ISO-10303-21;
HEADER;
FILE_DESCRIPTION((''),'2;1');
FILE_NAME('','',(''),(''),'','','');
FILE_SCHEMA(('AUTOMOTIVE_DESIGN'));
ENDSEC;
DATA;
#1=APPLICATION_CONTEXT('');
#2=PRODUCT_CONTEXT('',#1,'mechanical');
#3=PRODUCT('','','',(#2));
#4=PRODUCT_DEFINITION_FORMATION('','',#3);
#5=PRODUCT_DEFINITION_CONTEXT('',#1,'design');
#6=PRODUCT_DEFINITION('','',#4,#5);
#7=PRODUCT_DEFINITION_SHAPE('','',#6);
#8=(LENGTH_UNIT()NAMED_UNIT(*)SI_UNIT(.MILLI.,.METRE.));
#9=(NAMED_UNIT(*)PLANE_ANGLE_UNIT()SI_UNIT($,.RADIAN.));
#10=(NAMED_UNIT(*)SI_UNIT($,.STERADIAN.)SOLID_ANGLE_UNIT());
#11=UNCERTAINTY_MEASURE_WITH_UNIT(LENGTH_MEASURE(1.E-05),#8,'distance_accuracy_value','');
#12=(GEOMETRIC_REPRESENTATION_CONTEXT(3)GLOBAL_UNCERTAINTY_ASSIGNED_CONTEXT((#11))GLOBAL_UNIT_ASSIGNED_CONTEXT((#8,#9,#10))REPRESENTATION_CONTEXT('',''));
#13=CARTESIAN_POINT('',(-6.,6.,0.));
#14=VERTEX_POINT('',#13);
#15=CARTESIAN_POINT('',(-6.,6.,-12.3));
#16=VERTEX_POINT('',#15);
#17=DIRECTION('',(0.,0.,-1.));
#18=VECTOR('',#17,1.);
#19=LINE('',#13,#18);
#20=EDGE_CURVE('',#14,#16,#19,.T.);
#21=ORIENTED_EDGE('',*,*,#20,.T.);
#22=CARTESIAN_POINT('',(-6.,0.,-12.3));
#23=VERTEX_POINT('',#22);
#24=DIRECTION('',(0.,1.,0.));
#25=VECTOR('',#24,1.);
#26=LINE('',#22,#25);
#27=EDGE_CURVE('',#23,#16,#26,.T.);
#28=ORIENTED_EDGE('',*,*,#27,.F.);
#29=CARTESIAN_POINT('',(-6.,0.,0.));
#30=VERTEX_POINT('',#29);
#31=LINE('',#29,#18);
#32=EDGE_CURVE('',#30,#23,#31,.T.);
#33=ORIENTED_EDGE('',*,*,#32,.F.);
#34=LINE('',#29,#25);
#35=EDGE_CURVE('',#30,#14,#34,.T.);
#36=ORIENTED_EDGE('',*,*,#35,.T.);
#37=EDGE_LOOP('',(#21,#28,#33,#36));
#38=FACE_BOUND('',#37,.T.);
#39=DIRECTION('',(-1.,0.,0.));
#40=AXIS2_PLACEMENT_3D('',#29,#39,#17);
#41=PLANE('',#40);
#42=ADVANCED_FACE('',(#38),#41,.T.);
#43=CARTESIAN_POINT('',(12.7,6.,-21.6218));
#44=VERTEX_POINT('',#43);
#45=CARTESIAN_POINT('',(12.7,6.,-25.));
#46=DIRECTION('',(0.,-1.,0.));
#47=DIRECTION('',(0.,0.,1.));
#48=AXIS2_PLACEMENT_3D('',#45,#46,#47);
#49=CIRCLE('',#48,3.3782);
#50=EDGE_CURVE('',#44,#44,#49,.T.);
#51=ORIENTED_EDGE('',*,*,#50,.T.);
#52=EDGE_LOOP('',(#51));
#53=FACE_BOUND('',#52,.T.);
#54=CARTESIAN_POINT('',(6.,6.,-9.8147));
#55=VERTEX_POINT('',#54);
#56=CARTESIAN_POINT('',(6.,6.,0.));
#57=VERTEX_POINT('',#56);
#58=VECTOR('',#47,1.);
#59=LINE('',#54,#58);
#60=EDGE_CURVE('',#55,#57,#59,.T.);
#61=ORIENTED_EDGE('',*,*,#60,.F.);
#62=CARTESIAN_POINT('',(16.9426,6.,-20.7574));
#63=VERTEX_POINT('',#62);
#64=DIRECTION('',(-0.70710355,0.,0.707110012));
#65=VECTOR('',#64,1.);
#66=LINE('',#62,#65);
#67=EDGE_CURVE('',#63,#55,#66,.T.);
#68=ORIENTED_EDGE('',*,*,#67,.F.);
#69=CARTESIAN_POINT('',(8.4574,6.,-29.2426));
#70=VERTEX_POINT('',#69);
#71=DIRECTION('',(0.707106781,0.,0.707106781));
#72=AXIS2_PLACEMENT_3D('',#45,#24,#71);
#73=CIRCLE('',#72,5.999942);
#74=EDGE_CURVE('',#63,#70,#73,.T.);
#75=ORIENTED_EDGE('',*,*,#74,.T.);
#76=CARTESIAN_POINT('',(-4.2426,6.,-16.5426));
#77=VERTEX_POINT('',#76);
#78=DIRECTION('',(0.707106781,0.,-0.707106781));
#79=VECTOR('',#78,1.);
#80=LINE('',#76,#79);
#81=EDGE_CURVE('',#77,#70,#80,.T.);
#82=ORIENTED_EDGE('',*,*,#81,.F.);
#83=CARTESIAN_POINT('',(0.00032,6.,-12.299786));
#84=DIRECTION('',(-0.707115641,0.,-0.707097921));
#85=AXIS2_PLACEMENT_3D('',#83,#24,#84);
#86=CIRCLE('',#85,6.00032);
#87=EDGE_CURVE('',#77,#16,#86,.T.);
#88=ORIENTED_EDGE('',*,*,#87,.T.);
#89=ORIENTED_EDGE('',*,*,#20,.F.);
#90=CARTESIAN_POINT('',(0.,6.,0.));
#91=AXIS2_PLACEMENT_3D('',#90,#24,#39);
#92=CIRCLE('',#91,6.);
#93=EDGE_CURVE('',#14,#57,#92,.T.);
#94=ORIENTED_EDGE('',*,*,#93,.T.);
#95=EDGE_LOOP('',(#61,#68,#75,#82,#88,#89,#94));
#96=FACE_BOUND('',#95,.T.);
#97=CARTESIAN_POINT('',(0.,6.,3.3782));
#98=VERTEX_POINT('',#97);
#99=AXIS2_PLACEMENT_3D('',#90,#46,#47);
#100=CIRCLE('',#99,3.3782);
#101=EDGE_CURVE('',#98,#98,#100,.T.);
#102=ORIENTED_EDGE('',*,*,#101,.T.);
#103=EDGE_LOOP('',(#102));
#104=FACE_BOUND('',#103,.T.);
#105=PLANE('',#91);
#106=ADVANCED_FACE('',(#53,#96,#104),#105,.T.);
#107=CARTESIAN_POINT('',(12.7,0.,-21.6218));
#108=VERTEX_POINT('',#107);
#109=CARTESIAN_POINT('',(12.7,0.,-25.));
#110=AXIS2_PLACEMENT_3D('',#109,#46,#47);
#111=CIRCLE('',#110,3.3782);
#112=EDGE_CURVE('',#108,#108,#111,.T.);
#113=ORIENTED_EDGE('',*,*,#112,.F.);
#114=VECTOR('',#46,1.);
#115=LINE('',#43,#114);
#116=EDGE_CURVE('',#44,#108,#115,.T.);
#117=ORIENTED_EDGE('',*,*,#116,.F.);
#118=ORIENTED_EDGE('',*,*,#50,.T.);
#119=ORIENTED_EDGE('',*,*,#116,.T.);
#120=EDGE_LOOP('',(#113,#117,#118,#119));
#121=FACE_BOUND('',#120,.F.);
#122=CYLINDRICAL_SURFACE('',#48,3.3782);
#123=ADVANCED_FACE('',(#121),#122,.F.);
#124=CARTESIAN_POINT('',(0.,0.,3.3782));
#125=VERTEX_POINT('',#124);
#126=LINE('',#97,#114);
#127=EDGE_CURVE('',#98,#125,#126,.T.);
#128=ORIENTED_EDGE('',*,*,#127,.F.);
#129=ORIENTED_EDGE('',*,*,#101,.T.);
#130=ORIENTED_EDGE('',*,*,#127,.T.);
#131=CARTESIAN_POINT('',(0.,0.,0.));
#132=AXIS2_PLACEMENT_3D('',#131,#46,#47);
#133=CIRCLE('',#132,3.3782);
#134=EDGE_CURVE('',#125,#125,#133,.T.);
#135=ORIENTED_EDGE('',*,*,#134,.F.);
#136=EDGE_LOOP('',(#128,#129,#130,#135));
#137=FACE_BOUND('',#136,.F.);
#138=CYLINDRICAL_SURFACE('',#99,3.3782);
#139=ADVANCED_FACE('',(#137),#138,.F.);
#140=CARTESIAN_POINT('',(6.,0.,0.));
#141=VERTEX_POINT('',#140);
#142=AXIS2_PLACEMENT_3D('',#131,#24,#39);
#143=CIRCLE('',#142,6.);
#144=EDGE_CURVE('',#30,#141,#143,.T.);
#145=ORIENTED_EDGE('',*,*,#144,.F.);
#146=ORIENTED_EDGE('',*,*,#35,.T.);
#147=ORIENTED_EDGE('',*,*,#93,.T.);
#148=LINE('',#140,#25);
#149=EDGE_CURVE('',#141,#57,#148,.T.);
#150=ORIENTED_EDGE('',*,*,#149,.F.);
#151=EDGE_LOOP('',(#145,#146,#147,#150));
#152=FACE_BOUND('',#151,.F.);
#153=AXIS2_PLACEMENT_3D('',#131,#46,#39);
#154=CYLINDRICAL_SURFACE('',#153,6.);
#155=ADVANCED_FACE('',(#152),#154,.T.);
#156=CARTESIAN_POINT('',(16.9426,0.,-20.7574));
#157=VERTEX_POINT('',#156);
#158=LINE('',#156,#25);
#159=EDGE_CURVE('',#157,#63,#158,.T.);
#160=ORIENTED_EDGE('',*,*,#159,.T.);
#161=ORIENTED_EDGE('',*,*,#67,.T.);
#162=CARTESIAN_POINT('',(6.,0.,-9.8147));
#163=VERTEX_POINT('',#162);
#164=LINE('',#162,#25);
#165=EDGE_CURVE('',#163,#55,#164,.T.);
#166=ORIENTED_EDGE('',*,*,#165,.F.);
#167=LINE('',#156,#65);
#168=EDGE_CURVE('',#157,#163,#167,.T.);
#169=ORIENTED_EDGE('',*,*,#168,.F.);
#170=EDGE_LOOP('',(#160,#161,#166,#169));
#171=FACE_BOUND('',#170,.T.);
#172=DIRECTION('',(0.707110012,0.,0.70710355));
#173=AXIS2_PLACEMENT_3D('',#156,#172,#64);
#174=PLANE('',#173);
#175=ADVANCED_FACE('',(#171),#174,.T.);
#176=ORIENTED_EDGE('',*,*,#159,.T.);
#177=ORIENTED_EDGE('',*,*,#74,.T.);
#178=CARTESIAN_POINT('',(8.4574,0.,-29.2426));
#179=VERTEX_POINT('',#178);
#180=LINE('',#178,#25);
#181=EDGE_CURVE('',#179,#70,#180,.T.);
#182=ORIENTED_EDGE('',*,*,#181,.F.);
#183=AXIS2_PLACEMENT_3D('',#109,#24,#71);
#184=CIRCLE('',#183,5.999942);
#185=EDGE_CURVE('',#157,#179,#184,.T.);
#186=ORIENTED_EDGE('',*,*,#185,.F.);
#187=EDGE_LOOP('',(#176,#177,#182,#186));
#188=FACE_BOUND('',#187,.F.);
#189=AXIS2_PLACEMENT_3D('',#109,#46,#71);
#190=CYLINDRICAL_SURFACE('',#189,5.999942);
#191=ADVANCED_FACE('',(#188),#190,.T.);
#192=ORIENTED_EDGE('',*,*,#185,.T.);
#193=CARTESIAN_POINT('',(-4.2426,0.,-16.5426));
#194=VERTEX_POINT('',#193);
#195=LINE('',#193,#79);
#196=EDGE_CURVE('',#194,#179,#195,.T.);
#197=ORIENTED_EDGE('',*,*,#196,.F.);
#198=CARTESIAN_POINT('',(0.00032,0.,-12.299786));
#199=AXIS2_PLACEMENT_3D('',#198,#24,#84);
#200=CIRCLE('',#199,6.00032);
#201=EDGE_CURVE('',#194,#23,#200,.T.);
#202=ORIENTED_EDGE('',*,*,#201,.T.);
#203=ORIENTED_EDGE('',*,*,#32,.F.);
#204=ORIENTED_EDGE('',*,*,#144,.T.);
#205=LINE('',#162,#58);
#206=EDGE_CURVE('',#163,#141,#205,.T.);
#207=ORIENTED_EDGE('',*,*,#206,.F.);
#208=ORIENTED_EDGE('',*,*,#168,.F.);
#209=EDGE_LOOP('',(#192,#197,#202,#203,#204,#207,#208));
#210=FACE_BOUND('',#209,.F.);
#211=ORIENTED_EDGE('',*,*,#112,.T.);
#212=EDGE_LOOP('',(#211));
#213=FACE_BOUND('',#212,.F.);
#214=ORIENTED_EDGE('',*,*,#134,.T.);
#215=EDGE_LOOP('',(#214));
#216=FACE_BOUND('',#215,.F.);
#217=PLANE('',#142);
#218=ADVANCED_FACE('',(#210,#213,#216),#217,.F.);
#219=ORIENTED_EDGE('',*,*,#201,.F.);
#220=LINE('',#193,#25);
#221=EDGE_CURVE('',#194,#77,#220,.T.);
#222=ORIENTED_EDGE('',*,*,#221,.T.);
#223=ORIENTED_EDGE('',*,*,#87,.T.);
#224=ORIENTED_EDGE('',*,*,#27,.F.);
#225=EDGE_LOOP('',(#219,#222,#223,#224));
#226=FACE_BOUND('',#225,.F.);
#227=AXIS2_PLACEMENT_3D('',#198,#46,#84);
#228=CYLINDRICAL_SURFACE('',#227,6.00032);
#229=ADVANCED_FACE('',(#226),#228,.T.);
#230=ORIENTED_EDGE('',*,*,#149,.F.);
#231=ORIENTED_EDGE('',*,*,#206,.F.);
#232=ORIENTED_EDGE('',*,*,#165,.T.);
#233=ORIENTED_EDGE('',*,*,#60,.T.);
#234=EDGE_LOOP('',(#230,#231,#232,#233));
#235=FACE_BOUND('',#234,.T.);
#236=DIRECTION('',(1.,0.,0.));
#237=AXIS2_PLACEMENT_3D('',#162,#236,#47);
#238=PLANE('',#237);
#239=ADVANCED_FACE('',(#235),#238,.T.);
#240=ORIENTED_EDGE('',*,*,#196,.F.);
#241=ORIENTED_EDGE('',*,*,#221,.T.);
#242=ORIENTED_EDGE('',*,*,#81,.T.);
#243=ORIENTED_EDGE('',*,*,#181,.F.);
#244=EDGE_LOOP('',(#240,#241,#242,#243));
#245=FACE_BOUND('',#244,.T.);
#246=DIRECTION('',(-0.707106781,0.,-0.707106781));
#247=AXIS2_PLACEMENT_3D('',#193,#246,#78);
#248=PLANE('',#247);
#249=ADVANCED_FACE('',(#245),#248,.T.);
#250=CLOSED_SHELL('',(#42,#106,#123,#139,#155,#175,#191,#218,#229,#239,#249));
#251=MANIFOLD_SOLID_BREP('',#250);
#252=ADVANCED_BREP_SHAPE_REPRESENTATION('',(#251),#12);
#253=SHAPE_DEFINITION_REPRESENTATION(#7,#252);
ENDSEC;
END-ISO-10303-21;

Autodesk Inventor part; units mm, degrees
ref_plane "YZ Plane" through (0, 0, 0) normal (1, 0, 0) x (0, 1, 0)
ref_plane "XZ Plane" through (0, 0, 0) normal (0, 1, 0) x (-1, 0, 0)
ref_plane "XY Plane" through (0, 0, 0) normal (0, 0, 1) x (1, 0, 0)
sketch "Sketch1" plane through (0, 0, 0) normal (0, 1, 0) x (-1, 0, 0)
  arc A0 (6, 0) -> (-6, 0) centre (0, 0) ccw
  line L0 (6, 0) -> (6, -12.3)
  line L1 (4.2426, -16.5426) -> (-8.4574, -29.2426)
  line L2 (-16.9426, -20.7574) -> (-6, -9.8147)
  line L3 (-6, -9.8147) -> (-6, 0)
  arc A1 (-16.9426, -20.7574) -> (-8.4574, -29.2426) centre (-12.7, -25) ccw
  arc A2 (4.2426, -16.5426) -> (6, -12.3) centre (0, -12.3) ccw
  point P0 (6, -14.7853)
  dimension "d0" = 12
  dimension "d1" = 12.7
  dimension "d2" = 25
  dimension "d3" = 135
  dimension "d6" = 6
extrude "Extrusion1" add sketch "Sketch1" along normal blind 6
sketch "Sketch2" plane through (0, 6, 0) normal (0, 1, 0) x (1, 0, 0)
  arc A0 (16.9426, 20.7574) -> (8.4574, 29.2426) centre (12.7, 25) ccw projected
  point P0 (0, 0)
hole "Hole1" at (0, 6, 0) at (12.7, 6, -25) direction (0, -1, 0) diameter 6.7564 depth 12.7 tip angle 118 clearance for "Flat Head Machine Screw (82)" size "1/4" standard "Ansi Unified Screw Threads"
properties part number "Tensioner"
